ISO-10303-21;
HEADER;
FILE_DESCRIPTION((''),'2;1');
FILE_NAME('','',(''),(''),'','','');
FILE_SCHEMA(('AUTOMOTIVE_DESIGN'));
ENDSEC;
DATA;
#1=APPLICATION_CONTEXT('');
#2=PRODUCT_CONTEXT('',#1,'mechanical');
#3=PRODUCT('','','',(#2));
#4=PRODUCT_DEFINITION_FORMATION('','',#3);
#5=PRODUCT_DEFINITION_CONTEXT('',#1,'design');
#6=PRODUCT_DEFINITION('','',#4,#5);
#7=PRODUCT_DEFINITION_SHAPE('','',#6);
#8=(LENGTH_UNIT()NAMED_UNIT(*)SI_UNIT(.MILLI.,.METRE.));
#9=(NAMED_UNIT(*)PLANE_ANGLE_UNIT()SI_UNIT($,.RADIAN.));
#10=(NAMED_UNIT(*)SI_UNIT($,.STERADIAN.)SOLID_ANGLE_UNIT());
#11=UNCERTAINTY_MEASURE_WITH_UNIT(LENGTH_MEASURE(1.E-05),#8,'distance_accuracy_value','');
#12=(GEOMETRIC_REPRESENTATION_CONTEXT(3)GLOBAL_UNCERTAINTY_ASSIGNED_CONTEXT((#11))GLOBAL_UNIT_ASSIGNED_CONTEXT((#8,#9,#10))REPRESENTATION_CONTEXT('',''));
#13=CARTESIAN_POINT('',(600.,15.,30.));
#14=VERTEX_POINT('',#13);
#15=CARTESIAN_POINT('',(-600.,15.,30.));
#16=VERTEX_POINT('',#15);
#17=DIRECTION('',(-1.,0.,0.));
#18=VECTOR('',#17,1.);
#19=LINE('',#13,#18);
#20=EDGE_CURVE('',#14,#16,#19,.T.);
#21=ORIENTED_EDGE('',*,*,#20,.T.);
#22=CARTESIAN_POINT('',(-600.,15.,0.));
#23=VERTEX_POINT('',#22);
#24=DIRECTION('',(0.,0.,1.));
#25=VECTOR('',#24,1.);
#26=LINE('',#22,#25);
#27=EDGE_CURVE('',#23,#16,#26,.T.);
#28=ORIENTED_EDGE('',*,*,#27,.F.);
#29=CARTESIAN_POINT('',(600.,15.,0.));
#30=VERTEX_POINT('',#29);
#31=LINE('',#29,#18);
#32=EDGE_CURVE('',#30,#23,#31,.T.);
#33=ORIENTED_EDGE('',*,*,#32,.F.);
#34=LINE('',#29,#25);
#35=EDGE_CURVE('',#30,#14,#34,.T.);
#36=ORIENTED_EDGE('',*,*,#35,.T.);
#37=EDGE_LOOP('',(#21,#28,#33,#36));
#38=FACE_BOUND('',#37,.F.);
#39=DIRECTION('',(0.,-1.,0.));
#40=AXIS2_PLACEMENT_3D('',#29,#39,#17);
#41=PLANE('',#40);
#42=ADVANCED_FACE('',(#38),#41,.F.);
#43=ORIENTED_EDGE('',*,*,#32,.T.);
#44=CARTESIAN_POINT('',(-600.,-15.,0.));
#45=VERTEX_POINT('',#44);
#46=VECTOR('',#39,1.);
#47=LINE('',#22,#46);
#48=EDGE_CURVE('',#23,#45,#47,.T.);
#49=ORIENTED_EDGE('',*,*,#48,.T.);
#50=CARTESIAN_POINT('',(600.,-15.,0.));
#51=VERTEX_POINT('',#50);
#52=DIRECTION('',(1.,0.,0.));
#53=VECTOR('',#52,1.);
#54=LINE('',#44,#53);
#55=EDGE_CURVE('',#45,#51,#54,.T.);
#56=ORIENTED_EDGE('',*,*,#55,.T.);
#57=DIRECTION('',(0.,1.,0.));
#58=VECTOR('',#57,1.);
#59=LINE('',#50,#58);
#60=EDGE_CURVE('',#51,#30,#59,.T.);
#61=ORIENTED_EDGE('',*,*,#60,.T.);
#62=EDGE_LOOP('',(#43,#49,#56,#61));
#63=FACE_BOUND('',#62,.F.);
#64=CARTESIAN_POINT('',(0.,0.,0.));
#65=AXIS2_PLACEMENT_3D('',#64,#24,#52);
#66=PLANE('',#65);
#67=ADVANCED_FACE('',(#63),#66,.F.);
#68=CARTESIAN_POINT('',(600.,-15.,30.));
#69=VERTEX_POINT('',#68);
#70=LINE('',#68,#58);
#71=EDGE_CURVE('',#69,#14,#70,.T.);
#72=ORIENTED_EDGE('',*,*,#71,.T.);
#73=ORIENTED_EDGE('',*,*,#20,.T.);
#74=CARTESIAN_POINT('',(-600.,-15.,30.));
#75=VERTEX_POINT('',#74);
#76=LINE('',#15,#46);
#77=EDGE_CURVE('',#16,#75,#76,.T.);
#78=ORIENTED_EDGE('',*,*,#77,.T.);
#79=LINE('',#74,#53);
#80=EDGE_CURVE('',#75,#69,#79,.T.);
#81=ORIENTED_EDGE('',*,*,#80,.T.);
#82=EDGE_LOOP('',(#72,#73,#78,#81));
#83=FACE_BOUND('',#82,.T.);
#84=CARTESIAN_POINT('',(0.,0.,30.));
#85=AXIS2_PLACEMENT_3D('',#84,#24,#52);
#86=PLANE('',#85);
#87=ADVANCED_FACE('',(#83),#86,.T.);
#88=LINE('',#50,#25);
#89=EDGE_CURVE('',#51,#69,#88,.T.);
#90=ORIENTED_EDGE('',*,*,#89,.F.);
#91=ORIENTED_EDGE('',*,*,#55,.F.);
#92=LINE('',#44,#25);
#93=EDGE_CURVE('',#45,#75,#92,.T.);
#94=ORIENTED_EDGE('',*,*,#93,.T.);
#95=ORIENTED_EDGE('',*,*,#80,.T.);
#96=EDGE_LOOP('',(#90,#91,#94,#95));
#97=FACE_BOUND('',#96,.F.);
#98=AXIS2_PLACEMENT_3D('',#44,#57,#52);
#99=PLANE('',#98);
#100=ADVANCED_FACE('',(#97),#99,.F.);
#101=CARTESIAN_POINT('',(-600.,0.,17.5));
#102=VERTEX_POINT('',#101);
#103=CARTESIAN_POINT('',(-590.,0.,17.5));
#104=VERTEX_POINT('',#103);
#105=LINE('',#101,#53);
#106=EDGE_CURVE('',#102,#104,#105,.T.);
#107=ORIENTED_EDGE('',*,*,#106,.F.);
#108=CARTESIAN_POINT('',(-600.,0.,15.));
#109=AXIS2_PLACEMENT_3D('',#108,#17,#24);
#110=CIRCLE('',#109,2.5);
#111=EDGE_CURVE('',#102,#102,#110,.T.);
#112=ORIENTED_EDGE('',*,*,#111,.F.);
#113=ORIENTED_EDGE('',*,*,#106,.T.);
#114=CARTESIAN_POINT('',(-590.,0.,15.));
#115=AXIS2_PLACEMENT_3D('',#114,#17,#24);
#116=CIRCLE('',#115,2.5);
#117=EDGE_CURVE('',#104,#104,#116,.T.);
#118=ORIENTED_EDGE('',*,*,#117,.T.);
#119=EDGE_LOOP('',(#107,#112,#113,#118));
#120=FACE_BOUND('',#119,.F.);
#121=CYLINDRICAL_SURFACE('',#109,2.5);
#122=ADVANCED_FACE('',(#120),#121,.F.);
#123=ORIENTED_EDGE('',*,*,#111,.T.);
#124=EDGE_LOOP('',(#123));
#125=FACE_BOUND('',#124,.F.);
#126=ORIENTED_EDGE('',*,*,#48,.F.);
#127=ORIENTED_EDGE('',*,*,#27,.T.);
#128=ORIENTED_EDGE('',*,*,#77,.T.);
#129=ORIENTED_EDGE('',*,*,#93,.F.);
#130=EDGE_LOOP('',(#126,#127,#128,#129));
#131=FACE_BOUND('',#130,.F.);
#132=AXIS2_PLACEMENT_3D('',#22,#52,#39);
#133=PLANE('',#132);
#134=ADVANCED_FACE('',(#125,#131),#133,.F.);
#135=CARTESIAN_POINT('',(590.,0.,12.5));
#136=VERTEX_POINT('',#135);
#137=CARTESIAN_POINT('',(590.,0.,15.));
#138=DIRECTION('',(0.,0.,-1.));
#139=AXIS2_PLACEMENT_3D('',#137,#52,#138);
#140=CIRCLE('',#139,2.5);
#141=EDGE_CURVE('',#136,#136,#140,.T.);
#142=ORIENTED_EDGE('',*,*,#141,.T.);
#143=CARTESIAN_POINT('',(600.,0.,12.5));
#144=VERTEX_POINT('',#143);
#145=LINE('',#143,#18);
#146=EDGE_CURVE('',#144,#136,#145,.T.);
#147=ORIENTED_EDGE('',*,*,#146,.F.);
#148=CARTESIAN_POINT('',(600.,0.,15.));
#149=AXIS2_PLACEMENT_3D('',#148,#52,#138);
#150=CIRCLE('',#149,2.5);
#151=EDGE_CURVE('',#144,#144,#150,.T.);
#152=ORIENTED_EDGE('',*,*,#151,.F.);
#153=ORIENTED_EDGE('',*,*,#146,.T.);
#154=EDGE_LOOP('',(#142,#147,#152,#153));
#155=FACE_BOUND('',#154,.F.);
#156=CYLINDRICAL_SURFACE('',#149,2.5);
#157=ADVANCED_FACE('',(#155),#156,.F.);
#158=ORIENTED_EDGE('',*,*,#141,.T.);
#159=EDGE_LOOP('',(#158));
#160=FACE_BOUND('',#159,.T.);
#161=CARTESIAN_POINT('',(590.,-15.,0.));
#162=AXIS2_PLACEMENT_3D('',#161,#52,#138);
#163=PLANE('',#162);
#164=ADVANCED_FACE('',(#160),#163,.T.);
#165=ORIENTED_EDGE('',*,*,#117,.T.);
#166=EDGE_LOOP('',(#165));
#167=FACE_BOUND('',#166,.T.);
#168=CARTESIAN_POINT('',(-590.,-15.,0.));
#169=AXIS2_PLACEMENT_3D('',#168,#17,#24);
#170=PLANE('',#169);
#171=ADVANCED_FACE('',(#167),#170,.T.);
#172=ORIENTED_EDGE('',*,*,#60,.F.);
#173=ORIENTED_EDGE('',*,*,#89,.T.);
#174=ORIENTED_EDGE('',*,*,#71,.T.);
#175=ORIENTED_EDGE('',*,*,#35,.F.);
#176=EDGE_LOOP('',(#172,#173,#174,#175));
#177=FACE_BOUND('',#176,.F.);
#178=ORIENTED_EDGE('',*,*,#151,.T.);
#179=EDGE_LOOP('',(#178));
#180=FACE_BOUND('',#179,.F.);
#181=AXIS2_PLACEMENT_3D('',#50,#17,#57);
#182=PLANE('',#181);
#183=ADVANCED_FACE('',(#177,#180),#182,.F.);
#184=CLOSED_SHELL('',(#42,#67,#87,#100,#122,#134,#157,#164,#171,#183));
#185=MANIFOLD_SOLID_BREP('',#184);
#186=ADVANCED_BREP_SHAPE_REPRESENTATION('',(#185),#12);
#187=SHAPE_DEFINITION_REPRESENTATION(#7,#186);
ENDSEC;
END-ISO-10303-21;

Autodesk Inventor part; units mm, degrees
ref_plane "YZ Plane" through (0, 0, 0) normal (1, 0, 0) x (0, 1, 0)
ref_plane "XZ Plane" through (0, 0, 0) normal (0, 1, 0) x (-1, 0, 0)
ref_plane "XY Plane" through (0, 0, 0) normal (0, 0, 1) x (1, 0, 0)
sketch "Sketch1" plane through (0, 0, 0) normal (0, 0, 1) x (1, 0, 0)
  line L0 (-600, -15) -> (600, -15)
  line L1 (600, -15) -> (600, 15)
  line L2 (600, 15) -> (-600, 15)
  line L3 (-600, 15) -> (-600, -15)
  line L4 (-600, -15) -> (600, 15) construction
  line L5 (600, -15) -> (-600, 15) construction
  point P0 (0, 0)
  dimension "d0" = 1200
  dimension "d1" = 30
extrude "Extrusion1" add sketch "Sketch1" along normal blind 30
sketch "Sketch2" plane through (600, -15, 0) normal (1, 0, 0) x (0, 0, -1)
  line L0 (0, 0) -> (0, 30) projected
  line L1 (0, 30) -> (-30, 30) projected
  line L2 (-30, 0) -> (-30, 30) projected
  line L3 (0, 0) -> (-30, 0) projected
  circle A0 centre (-15, 15) radius 15 construction
  circle A1 centre (-15, 15) radius 2.5
  point P0 (0, 15)
  dimension "d13" = 5
extrude "Extrusion2" cut sketch "Sketch2" against normal blind 10 contours A1
sketch "Sketch3" plane through (-600, -15, 0) normal (-1, 0, 0) x (0, 0, 1)
  circle A0 centre (15, 15) radius 2.5 projected
  point P0 (0, 15)
extrude "Extrusion3" cut sketch "Sketch3" against normal blind 10
properties part number "lange_Stange" material "Birch"
